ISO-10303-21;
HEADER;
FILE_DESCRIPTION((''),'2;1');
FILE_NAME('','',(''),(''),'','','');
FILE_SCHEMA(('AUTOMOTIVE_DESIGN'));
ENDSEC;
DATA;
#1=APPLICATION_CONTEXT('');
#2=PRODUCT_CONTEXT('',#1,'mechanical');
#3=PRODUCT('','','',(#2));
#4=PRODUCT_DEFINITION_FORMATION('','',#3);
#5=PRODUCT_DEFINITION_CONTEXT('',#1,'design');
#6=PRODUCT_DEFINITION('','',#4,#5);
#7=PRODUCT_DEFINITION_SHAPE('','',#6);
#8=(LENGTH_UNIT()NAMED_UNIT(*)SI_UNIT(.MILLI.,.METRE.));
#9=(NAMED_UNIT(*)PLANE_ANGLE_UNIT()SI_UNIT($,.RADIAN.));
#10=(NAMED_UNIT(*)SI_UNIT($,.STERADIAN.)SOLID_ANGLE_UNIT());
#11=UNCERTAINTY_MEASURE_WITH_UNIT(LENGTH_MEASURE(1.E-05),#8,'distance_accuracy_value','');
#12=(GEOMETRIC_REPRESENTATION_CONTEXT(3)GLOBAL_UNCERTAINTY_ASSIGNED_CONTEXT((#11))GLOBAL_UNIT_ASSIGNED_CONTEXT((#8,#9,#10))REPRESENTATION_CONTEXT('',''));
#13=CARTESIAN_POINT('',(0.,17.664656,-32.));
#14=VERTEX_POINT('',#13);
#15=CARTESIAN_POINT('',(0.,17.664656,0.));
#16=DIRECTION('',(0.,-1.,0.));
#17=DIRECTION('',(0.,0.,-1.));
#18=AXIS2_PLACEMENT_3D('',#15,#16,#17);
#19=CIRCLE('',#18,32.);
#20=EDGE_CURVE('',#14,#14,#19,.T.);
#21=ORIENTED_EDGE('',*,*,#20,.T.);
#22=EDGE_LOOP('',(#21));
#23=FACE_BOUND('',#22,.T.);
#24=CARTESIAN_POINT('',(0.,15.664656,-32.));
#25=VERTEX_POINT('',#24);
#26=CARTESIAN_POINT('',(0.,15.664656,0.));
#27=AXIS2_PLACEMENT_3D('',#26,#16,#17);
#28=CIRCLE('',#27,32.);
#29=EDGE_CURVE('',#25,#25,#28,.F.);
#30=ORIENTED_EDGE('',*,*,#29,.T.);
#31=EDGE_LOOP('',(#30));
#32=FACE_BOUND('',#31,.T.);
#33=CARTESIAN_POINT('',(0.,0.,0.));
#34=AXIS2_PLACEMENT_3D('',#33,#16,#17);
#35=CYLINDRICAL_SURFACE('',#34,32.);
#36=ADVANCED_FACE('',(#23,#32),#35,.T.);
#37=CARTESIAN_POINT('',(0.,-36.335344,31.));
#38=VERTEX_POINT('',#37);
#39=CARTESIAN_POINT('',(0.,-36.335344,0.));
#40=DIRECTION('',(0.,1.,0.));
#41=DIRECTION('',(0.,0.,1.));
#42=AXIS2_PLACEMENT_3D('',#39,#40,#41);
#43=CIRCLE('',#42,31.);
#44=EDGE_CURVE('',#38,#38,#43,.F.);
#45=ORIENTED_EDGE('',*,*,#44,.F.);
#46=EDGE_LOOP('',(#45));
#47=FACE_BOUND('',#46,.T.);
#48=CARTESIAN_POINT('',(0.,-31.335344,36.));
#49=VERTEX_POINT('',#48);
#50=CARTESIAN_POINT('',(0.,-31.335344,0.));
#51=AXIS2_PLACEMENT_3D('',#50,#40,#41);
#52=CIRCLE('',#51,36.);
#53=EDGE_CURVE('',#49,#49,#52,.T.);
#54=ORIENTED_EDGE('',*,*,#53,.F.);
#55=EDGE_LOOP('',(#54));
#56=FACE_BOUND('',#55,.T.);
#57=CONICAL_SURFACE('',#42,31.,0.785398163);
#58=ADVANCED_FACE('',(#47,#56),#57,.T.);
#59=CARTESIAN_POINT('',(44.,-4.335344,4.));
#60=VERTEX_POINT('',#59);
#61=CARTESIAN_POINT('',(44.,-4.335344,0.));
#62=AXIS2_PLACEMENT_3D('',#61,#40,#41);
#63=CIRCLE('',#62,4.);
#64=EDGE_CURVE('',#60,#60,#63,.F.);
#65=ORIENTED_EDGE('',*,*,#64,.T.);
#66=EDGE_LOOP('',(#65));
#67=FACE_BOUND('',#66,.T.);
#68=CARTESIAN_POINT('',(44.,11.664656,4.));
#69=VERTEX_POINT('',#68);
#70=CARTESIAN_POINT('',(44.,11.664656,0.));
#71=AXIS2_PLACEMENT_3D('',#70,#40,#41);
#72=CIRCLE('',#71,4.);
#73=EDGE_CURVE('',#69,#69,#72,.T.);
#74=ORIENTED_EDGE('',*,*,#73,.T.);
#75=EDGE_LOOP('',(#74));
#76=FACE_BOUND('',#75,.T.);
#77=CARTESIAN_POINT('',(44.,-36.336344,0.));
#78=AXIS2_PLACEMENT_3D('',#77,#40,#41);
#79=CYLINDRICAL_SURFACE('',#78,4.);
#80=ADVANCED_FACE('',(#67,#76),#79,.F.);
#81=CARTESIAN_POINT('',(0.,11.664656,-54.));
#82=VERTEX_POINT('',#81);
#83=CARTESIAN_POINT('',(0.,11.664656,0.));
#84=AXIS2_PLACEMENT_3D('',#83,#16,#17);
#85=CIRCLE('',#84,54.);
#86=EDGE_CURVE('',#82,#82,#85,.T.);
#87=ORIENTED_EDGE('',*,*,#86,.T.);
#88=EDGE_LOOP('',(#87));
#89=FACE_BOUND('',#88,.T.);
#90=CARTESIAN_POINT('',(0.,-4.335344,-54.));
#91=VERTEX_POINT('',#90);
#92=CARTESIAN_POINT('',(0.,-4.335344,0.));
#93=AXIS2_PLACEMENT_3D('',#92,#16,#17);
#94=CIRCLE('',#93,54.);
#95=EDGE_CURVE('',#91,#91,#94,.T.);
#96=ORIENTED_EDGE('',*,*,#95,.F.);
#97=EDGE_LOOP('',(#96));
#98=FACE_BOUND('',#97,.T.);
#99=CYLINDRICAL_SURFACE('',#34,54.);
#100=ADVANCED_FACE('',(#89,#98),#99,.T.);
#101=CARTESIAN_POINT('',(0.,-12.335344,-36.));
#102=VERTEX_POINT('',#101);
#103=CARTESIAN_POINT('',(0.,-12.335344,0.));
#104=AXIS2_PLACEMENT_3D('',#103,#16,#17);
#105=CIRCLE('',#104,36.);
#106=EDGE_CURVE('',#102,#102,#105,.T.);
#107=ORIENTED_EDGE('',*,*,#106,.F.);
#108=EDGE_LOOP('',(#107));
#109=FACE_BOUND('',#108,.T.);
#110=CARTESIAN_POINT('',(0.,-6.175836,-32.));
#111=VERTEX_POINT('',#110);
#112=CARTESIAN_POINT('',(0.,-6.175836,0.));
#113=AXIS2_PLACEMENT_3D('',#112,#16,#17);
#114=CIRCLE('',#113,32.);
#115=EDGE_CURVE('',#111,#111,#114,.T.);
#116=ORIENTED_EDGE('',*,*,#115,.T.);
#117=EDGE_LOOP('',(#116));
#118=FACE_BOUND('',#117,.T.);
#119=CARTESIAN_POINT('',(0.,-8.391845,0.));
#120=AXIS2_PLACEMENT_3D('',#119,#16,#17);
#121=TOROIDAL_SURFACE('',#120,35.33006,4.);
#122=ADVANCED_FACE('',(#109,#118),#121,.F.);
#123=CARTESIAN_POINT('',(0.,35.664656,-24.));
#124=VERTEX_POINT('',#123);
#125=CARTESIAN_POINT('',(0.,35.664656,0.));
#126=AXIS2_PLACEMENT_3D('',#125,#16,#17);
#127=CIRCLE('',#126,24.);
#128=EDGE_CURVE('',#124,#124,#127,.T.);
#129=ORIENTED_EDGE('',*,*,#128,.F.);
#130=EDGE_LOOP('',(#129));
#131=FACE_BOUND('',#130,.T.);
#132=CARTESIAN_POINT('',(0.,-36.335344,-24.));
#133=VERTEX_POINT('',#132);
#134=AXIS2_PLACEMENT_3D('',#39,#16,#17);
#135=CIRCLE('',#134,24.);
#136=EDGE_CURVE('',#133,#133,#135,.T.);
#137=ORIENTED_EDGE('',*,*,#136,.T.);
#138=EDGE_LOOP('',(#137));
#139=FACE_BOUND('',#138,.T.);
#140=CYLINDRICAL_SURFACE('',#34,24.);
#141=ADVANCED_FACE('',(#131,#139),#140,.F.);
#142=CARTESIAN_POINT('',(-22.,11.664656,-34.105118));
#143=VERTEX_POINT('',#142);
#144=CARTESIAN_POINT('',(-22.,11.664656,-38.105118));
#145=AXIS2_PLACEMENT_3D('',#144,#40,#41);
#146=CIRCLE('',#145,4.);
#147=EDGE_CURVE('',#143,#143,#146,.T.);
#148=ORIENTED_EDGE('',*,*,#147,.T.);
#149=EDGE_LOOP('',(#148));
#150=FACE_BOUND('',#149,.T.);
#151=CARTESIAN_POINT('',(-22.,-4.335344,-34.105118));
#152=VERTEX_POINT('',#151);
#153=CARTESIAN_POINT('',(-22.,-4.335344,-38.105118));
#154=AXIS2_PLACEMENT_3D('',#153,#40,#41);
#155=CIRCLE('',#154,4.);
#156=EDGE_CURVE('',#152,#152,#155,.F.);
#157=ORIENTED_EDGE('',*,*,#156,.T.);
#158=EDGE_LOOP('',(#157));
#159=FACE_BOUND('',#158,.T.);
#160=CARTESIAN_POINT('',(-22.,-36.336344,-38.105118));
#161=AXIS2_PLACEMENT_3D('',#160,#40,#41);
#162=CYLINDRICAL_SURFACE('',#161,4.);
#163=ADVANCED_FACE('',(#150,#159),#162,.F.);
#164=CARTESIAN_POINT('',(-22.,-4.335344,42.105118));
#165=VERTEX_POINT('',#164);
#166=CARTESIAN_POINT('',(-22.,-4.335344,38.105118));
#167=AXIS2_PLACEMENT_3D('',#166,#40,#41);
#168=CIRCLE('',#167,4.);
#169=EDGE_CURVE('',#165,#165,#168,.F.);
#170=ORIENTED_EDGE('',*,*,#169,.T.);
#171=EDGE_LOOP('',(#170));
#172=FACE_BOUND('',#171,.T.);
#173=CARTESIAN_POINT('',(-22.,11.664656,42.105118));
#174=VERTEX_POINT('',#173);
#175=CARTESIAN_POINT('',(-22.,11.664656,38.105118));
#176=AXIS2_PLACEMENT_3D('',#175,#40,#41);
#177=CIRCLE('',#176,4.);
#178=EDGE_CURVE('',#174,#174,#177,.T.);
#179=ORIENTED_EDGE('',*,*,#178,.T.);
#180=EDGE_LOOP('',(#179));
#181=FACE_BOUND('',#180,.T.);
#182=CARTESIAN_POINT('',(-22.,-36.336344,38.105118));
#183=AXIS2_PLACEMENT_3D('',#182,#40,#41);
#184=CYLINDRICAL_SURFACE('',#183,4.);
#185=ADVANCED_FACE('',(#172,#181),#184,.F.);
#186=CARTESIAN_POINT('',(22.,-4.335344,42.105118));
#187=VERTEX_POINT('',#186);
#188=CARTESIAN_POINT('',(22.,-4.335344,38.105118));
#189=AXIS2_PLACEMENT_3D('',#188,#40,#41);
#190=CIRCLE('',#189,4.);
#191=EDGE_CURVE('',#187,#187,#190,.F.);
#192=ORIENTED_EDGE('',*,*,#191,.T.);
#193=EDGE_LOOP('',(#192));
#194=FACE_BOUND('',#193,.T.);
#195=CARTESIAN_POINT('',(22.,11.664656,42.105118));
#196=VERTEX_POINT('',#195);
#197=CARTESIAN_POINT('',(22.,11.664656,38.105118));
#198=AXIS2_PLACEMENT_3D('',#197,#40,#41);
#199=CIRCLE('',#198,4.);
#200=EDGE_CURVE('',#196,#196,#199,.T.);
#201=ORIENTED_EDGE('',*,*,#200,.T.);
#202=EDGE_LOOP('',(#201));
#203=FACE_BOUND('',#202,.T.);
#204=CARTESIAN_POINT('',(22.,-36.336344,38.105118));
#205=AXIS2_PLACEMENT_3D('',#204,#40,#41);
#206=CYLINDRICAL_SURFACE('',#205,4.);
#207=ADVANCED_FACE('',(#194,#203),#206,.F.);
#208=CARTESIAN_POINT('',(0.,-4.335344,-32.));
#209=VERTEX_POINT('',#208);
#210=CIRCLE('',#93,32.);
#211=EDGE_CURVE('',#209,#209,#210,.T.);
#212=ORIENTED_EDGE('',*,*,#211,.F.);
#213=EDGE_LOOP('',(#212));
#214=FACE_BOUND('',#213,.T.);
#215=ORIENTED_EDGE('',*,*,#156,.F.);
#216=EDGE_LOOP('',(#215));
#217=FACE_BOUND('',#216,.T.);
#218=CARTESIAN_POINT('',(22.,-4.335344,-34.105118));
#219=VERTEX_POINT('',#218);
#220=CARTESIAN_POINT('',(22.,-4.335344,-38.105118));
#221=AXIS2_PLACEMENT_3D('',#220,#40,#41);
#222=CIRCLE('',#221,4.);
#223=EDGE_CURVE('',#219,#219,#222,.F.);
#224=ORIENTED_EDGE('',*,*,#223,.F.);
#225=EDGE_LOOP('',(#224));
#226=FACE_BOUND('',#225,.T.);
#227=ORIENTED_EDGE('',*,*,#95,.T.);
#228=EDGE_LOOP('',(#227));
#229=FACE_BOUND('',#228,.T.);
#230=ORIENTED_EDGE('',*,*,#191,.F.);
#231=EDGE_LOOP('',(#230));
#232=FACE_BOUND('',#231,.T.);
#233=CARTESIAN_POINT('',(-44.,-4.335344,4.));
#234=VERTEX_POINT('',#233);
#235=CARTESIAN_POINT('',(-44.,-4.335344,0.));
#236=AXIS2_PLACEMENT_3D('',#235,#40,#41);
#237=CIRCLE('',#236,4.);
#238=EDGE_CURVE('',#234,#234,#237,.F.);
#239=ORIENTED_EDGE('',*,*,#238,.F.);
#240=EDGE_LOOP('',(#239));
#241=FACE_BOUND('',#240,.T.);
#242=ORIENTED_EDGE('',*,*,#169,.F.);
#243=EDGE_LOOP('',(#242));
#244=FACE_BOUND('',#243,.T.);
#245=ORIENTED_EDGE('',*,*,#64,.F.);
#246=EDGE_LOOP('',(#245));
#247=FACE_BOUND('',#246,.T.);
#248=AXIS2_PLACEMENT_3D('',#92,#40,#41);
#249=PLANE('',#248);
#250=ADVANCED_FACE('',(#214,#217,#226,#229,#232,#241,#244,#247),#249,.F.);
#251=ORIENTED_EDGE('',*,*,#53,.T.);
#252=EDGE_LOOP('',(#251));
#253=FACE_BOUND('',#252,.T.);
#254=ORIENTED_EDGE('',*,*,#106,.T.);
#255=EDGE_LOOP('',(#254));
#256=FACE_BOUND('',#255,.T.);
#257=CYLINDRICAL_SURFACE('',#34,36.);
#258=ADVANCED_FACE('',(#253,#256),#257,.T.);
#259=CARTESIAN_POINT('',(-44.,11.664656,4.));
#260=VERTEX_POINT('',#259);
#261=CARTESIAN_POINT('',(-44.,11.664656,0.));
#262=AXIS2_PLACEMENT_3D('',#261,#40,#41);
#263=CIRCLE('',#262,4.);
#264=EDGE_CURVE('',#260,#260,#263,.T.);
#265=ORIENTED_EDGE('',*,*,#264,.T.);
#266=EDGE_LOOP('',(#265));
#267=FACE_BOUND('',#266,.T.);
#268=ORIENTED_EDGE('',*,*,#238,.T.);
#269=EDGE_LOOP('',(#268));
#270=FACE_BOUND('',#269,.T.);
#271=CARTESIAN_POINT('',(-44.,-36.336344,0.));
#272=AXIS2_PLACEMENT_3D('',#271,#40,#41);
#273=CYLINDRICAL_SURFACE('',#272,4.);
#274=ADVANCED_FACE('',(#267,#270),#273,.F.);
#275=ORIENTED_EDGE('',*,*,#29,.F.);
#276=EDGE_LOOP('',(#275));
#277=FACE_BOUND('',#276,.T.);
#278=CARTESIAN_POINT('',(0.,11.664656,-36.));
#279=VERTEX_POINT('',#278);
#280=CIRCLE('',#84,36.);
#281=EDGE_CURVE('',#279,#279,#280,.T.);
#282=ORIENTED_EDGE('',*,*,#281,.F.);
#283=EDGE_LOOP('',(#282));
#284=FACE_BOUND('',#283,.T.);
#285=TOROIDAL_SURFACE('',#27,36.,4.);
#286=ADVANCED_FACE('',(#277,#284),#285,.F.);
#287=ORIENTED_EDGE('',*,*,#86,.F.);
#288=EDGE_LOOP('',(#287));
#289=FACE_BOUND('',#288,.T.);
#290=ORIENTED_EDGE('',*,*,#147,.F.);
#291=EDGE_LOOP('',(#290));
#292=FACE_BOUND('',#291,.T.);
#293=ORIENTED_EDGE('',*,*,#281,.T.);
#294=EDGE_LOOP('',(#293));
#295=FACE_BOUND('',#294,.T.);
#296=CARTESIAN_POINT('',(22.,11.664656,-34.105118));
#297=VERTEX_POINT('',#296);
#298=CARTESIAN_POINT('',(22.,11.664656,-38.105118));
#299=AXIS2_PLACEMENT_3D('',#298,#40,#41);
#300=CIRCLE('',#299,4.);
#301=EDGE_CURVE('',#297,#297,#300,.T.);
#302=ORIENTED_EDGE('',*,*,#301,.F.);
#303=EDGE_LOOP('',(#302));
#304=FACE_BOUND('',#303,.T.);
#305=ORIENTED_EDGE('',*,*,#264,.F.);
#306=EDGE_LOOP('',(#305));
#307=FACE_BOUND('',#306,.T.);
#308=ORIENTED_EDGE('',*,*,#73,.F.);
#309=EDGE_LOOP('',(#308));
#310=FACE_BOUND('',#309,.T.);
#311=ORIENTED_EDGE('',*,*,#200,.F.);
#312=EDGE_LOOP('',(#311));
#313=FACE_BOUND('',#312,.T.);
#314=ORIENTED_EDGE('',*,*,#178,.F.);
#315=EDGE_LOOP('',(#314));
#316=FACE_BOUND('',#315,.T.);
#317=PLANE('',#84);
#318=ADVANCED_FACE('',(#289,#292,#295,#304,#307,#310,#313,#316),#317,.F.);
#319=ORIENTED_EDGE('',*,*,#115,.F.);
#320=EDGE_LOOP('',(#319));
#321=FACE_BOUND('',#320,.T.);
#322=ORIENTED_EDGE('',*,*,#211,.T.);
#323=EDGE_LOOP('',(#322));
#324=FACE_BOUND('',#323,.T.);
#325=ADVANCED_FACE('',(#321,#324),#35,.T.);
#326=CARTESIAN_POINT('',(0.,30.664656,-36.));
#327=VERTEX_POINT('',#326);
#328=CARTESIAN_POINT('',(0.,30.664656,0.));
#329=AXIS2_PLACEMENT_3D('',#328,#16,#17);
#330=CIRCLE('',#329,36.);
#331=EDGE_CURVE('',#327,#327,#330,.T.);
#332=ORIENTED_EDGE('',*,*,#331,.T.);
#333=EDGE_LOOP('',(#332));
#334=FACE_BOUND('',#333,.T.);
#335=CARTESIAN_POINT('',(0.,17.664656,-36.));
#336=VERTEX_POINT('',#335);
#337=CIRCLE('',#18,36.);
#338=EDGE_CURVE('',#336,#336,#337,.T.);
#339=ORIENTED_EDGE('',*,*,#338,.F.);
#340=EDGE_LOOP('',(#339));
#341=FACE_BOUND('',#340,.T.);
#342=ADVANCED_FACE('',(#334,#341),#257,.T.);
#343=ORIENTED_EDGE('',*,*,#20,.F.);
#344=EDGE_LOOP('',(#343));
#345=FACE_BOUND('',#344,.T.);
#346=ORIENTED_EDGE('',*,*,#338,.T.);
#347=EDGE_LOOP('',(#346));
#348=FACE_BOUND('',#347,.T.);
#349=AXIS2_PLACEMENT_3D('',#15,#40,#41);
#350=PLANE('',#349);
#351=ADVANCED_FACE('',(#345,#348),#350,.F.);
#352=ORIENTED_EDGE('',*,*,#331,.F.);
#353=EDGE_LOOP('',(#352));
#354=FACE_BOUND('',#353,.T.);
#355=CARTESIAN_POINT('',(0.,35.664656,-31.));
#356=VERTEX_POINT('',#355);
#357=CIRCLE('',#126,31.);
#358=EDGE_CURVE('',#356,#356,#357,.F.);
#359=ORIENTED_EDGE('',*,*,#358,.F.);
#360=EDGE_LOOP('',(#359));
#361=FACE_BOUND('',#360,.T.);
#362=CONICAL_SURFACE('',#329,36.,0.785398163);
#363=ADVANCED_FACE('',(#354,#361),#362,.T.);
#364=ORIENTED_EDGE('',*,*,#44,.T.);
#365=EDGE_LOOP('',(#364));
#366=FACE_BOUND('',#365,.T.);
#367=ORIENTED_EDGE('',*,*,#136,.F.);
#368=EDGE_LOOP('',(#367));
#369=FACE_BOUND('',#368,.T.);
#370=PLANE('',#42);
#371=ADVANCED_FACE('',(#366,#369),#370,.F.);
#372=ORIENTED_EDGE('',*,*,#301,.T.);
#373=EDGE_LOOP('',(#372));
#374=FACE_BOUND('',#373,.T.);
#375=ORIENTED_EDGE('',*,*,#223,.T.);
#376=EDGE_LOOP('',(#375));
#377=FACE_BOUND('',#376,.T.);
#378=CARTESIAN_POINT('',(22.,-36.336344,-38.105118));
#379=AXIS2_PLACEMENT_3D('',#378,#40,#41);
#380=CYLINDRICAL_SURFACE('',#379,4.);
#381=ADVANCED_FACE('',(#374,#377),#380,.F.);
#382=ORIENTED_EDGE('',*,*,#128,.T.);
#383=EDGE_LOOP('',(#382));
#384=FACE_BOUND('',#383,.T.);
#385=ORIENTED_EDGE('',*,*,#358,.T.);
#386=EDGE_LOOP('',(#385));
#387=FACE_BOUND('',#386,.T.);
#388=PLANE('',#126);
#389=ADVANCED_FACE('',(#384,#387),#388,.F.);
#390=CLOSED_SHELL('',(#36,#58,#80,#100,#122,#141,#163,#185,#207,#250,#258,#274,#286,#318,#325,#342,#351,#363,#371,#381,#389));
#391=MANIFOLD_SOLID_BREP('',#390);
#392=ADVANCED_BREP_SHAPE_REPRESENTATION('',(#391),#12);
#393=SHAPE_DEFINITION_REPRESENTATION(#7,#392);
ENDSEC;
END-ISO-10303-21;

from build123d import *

# Parameters (mm, degrees)
CHAMFER2_SIZE      = 5
FILLET1_R          = 4
CUT_EXTRUDE1_REACH = 92.2
SKETCH2_R          = 4


with BuildPart() as part:
    # Sketch1 → Revolve1 (revolve)
    with BuildSketch(Plane.XY, mode=Mode.PRIVATE) as revolve1_sk:
        with BuildLine():
            ThreePointArc((-36, -12.335343788), (-31.975370241, -10.570389375), (-32, -6.175835683))
            Line((-32, -6.175835683), (-32, -4.335343788))
            Line((-32, -4.335343788), (-54, -4.335343788))
            Line((-54, -4.335343788), (-54, 11.664656212))
            Line((-54, 11.664656212), (-32, 11.664656212))
            Line((-32, 11.664656212), (-32, 17.664656212))
            Line((-32, 17.664656212), (-36, 17.664656212))
            Line((-36, 17.664656212), (-36, 35.664656212))
            Line((-36, 35.664656212), (-24, 35.664656212))
            Line((-24, 35.664656212), (-24, -36.335343788))
            Line((-24, -36.335343788), (-36, -36.335343788))
            Line((-36, -36.335343788), (-36, -12.335343788))
        make_face()
    revolve(revolve1_sk.sketch.rotate(Axis((0, 0, 0), (0, 1, 0)), 270), axis=Axis((0, 0, 0), (0, 1, 0)))

    # Chamfer2
    chamfer2_edges = [part.edges().sort_by_distance(p)[0] for p in [
        (0, 35.664656212, 36),
        (0, -36.335343788, 36),
    ]]
    chamfer(chamfer2_edges, length=CHAMFER2_SIZE)

    # Fillet1
    fillet1_edges = [part.edges().sort_by_distance(p)[0] for p in [
        (0, 11.664656212, 32),
    ]]
    fillet(fillet1_edges, radius=FILLET1_R)

    # Sketch2 → Cut-Extrude1 (cut, up to next)
    with BuildSketch(Plane(origin=(0, 11.664656212, 0), x_dir=(1, 0, 0), z_dir=(0, 1, 0)), mode=Mode.PRIVATE) as cut_extrude1_sk1:
        with Locations(Location((44, 0, 0), (0, 0, 270))):
            Circle(SKETCH2_R)
    cut_extrude1_tool1 = extrude(cut_extrude1_sk1.sketch, amount=-CUT_EXTRUDE1_REACH, mode=Mode.PRIVATE) & part.part
    # Sketch2 → Cut-Extrude1 (cut, up to next)
    with BuildSketch(Plane(origin=(0, 11.664656212, 0), x_dir=(1, 0, 0), z_dir=(0, 1, 0)), mode=Mode.PRIVATE) as cut_extrude1_sk2:
        with Locations(Location((22, -38.105117767, 0), (0, 0, 270))):
            Circle(SKETCH2_R)
    cut_extrude1_tool2 = extrude(cut_extrude1_sk2.sketch, amount=-CUT_EXTRUDE1_REACH, mode=Mode.PRIVATE) & part.part
    # Sketch2 → Cut-Extrude1 (cut, up to next)
    with BuildSketch(Plane(origin=(0, 11.664656212, 0), x_dir=(1, 0, 0), z_dir=(0, 1, 0)), mode=Mode.PRIVATE) as cut_extrude1_sk3:
        with Locations(Location((-22, -38.105117767, 0), (0, 0, 270))):
            Circle(SKETCH2_R)
    cut_extrude1_tool3 = extrude(cut_extrude1_sk3.sketch, amount=-CUT_EXTRUDE1_REACH, mode=Mode.PRIVATE) & part.part
    # Sketch2 → Cut-Extrude1 (cut, up to next)
    with BuildSketch(Plane(origin=(0, 11.664656212, 0), x_dir=(1, 0, 0), z_dir=(0, 1, 0)), mode=Mode.PRIVATE) as cut_extrude1_sk4:
        with Locations(Location((-44, 0, 0), (0, 0, 270))):
            Circle(SKETCH2_R)
    cut_extrude1_tool4 = extrude(cut_extrude1_sk4.sketch, amount=-CUT_EXTRUDE1_REACH, mode=Mode.PRIVATE) & part.part
    # Sketch2 → Cut-Extrude1 (cut, up to next)
    with BuildSketch(Plane(origin=(0, 11.664656212, 0), x_dir=(1, 0, 0), z_dir=(0, 1, 0)), mode=Mode.PRIVATE) as cut_extrude1_sk5:
        with Locations(Location((-22, 38.105117767, 0), (0, 0, 270))):
            Circle(SKETCH2_R)
    cut_extrude1_tool5 = extrude(cut_extrude1_sk5.sketch, amount=-CUT_EXTRUDE1_REACH, mode=Mode.PRIVATE) & part.part
    # Sketch2 → Cut-Extrude1 (cut, up to next)
    with BuildSketch(Plane(origin=(0, 11.664656212, 0), x_dir=(1, 0, 0), z_dir=(0, 1, 0)), mode=Mode.PRIVATE) as cut_extrude1_sk6:
        with Locations(Location((22, 38.105117767, 0), (0, 0, 270))):
            Circle(SKETCH2_R)
    cut_extrude1_tool6 = extrude(cut_extrude1_sk6.sketch, amount=-CUT_EXTRUDE1_REACH, mode=Mode.PRIVATE) & part.part
    add(cut_extrude1_tool1.solids().sort_by_distance((44, 11.664656, 0))[0], mode=Mode.SUBTRACT)
    add(cut_extrude1_tool2.solids().sort_by_distance((22, 11.664656, 38.105118))[0], mode=Mode.SUBTRACT)
    add(cut_extrude1_tool3.solids().sort_by_distance((-22, 11.664656, 38.105118))[0], mode=Mode.SUBTRACT)
    add(cut_extrude1_tool4.solids().sort_by_distance((-44, 11.664656, 0))[0], mode=Mode.SUBTRACT)
    add(cut_extrude1_tool5.solids().sort_by_distance((-22, 11.664656, -38.105118))[0], mode=Mode.SUBTRACT)
    add(cut_extrude1_tool6.solids().sort_by_distance((22, 11.664656, -38.105118))[0], mode=Mode.SUBTRACT)


solid = part.part
